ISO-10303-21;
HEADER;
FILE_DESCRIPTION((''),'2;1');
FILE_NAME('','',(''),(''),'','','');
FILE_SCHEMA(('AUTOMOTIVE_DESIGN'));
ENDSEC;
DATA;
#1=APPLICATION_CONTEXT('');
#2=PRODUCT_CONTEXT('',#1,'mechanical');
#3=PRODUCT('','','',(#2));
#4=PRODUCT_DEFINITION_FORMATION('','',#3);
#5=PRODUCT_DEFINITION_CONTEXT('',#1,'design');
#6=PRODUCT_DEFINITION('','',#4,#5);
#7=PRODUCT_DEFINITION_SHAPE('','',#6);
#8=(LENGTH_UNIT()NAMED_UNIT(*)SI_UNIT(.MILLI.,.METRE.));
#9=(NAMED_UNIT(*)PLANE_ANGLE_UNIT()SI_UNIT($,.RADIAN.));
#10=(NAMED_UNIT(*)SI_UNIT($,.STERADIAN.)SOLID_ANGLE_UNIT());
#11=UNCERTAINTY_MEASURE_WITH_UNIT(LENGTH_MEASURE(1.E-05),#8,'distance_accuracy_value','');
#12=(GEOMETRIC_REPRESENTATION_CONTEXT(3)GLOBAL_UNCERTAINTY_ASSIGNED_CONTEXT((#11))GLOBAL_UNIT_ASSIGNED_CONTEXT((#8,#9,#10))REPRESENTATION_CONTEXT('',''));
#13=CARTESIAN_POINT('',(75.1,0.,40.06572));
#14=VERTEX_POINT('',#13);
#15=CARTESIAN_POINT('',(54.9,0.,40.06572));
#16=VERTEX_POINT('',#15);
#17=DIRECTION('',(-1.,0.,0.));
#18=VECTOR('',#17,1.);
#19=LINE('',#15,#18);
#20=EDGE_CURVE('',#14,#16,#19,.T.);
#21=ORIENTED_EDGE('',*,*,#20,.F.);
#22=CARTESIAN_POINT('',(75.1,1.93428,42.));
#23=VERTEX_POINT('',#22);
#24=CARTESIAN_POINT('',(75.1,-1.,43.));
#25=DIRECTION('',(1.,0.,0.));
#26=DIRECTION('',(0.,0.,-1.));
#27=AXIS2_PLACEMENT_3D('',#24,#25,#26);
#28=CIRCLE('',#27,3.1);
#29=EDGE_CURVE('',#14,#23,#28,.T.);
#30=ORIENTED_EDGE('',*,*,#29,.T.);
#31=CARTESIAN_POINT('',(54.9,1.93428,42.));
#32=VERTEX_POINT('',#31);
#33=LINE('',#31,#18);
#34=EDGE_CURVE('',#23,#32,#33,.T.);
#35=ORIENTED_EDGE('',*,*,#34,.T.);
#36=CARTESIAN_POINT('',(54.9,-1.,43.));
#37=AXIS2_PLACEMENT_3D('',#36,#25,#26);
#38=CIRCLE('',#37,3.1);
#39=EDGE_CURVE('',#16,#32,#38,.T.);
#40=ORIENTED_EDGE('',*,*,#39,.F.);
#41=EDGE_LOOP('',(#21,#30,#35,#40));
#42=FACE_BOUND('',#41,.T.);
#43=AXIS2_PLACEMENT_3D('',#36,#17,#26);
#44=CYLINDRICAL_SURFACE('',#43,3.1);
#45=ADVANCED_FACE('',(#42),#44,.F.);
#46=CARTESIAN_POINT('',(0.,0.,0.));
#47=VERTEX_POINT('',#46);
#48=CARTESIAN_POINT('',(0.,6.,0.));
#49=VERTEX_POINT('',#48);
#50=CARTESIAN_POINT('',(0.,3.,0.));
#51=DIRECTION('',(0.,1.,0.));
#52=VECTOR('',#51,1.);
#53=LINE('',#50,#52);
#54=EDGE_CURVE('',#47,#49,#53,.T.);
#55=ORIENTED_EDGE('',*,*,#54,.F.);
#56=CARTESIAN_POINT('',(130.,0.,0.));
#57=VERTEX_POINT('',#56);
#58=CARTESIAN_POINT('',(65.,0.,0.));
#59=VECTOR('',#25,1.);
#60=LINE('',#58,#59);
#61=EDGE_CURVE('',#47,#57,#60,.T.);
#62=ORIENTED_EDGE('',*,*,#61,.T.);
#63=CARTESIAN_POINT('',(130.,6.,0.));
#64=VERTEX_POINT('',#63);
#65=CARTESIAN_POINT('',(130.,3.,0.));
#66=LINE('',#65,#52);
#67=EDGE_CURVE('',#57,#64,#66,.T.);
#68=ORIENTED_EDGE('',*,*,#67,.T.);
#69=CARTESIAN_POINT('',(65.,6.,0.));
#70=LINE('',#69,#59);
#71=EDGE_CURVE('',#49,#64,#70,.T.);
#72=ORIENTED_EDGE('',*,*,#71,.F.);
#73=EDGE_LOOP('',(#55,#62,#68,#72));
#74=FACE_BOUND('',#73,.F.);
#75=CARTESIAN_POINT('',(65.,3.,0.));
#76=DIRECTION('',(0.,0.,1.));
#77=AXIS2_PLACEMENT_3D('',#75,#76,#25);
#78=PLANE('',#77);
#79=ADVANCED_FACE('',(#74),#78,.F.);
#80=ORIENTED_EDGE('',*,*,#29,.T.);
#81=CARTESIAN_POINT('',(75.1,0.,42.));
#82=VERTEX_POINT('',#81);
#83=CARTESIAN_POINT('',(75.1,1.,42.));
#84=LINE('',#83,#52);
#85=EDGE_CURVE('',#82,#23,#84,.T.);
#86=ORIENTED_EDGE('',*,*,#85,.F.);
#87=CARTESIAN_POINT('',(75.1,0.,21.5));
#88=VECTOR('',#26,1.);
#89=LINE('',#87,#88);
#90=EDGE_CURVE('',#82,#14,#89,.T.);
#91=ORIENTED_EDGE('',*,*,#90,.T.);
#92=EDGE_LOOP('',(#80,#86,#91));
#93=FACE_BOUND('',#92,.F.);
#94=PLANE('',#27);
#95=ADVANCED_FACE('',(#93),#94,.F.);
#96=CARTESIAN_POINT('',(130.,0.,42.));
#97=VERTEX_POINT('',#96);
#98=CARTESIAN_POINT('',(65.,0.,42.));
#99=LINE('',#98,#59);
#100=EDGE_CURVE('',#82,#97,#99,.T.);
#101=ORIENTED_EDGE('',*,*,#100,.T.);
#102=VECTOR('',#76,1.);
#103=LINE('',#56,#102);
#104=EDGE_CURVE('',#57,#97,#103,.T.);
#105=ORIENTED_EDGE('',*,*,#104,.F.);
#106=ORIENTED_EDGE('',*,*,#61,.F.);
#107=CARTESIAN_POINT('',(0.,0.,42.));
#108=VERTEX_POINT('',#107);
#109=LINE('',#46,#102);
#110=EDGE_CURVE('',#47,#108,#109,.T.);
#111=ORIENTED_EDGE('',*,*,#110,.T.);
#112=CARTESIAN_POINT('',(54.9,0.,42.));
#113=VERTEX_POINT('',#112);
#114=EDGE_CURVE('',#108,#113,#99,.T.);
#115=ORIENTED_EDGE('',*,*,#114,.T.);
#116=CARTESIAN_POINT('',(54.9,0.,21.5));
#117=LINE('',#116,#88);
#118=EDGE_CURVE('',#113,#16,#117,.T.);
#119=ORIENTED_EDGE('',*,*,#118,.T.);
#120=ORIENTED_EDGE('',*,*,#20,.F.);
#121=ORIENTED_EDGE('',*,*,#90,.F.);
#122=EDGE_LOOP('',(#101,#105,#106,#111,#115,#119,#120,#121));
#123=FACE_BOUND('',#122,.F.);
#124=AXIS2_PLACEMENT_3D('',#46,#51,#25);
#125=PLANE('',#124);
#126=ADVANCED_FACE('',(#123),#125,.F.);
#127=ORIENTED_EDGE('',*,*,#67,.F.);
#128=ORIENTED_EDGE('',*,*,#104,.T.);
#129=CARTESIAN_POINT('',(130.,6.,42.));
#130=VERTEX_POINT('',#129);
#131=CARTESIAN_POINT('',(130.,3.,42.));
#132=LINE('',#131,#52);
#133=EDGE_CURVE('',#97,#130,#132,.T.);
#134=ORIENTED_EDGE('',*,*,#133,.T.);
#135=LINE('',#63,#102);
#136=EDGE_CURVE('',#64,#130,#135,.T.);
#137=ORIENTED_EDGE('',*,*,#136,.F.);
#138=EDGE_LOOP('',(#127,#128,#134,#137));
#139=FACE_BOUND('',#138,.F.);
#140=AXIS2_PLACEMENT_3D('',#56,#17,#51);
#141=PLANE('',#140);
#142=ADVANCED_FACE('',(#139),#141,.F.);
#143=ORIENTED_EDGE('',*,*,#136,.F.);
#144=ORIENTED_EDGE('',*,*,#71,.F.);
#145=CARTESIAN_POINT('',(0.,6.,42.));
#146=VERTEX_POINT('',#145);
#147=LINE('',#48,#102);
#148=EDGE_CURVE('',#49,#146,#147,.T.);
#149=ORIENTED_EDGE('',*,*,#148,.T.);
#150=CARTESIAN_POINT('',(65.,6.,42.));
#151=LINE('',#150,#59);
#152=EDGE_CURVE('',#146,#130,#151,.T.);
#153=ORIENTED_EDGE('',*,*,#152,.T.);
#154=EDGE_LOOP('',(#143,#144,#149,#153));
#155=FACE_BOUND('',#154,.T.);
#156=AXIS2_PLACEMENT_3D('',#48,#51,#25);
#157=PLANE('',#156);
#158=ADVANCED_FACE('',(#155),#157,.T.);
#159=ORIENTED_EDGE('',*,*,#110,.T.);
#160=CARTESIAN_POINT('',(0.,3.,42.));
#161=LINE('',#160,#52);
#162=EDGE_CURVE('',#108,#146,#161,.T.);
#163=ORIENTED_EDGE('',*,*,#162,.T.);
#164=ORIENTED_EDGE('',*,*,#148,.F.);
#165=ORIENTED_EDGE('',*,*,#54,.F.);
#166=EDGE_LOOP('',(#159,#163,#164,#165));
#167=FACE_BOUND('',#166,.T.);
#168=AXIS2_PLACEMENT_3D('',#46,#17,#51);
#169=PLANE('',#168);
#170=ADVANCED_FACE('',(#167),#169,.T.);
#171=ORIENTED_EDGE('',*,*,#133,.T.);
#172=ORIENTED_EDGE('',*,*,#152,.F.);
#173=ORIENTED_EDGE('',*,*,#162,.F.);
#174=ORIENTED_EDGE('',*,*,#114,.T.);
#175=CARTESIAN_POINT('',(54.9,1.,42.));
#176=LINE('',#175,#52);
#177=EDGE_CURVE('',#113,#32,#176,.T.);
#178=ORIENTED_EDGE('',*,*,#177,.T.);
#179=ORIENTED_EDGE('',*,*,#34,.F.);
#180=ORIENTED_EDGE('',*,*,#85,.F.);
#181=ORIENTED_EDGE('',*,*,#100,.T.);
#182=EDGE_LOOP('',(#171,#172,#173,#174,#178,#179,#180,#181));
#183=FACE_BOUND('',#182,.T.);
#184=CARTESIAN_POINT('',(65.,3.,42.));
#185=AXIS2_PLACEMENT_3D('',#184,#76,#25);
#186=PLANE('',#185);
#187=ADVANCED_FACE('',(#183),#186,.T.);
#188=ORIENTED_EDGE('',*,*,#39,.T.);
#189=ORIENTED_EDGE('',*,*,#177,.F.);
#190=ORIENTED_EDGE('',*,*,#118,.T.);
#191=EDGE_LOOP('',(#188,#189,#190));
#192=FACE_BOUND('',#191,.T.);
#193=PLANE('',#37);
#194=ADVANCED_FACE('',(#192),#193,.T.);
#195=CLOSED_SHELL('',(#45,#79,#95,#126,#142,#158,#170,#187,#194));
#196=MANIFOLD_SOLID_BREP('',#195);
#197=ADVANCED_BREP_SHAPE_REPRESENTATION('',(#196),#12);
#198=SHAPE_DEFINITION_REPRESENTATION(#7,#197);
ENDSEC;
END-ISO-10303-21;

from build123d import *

# Parameters (mm, degrees)
HINGE_CUT_R           = 3.1
HINGE_CUT_DEPTH       = 20.2
SIDE_HINGE_MAIN_W     = 130
SIDE_HINGE_MAIN_H     = 6
SIDE_HINGE_MAIN_DEPTH = 42


with BuildPart() as hinge_cut:
    # hinge_cut → hinge_cut (new body)
    with BuildSketch(Plane(origin=(54.9, -1, 43), x_dir=(0, 0, -1), z_dir=(1, 0, 0))):
        Circle(HINGE_CUT_R)
    extrude(amount=HINGE_CUT_DEPTH)


with BuildPart() as side_main_cut:
    # side_hinge_main → side_hinge_main (new body)
    with BuildSketch(Plane.XY):
        with Locations((65, 3)):
            Rectangle(SIDE_HINGE_MAIN_W, SIDE_HINGE_MAIN_H)
    extrude(amount=SIDE_HINGE_MAIN_DEPTH)

    # side_main_cut: cut hinge_cut
    add(hinge_cut.part, mode=Mode.SUBTRACT)


solid = side_main_cut.part
